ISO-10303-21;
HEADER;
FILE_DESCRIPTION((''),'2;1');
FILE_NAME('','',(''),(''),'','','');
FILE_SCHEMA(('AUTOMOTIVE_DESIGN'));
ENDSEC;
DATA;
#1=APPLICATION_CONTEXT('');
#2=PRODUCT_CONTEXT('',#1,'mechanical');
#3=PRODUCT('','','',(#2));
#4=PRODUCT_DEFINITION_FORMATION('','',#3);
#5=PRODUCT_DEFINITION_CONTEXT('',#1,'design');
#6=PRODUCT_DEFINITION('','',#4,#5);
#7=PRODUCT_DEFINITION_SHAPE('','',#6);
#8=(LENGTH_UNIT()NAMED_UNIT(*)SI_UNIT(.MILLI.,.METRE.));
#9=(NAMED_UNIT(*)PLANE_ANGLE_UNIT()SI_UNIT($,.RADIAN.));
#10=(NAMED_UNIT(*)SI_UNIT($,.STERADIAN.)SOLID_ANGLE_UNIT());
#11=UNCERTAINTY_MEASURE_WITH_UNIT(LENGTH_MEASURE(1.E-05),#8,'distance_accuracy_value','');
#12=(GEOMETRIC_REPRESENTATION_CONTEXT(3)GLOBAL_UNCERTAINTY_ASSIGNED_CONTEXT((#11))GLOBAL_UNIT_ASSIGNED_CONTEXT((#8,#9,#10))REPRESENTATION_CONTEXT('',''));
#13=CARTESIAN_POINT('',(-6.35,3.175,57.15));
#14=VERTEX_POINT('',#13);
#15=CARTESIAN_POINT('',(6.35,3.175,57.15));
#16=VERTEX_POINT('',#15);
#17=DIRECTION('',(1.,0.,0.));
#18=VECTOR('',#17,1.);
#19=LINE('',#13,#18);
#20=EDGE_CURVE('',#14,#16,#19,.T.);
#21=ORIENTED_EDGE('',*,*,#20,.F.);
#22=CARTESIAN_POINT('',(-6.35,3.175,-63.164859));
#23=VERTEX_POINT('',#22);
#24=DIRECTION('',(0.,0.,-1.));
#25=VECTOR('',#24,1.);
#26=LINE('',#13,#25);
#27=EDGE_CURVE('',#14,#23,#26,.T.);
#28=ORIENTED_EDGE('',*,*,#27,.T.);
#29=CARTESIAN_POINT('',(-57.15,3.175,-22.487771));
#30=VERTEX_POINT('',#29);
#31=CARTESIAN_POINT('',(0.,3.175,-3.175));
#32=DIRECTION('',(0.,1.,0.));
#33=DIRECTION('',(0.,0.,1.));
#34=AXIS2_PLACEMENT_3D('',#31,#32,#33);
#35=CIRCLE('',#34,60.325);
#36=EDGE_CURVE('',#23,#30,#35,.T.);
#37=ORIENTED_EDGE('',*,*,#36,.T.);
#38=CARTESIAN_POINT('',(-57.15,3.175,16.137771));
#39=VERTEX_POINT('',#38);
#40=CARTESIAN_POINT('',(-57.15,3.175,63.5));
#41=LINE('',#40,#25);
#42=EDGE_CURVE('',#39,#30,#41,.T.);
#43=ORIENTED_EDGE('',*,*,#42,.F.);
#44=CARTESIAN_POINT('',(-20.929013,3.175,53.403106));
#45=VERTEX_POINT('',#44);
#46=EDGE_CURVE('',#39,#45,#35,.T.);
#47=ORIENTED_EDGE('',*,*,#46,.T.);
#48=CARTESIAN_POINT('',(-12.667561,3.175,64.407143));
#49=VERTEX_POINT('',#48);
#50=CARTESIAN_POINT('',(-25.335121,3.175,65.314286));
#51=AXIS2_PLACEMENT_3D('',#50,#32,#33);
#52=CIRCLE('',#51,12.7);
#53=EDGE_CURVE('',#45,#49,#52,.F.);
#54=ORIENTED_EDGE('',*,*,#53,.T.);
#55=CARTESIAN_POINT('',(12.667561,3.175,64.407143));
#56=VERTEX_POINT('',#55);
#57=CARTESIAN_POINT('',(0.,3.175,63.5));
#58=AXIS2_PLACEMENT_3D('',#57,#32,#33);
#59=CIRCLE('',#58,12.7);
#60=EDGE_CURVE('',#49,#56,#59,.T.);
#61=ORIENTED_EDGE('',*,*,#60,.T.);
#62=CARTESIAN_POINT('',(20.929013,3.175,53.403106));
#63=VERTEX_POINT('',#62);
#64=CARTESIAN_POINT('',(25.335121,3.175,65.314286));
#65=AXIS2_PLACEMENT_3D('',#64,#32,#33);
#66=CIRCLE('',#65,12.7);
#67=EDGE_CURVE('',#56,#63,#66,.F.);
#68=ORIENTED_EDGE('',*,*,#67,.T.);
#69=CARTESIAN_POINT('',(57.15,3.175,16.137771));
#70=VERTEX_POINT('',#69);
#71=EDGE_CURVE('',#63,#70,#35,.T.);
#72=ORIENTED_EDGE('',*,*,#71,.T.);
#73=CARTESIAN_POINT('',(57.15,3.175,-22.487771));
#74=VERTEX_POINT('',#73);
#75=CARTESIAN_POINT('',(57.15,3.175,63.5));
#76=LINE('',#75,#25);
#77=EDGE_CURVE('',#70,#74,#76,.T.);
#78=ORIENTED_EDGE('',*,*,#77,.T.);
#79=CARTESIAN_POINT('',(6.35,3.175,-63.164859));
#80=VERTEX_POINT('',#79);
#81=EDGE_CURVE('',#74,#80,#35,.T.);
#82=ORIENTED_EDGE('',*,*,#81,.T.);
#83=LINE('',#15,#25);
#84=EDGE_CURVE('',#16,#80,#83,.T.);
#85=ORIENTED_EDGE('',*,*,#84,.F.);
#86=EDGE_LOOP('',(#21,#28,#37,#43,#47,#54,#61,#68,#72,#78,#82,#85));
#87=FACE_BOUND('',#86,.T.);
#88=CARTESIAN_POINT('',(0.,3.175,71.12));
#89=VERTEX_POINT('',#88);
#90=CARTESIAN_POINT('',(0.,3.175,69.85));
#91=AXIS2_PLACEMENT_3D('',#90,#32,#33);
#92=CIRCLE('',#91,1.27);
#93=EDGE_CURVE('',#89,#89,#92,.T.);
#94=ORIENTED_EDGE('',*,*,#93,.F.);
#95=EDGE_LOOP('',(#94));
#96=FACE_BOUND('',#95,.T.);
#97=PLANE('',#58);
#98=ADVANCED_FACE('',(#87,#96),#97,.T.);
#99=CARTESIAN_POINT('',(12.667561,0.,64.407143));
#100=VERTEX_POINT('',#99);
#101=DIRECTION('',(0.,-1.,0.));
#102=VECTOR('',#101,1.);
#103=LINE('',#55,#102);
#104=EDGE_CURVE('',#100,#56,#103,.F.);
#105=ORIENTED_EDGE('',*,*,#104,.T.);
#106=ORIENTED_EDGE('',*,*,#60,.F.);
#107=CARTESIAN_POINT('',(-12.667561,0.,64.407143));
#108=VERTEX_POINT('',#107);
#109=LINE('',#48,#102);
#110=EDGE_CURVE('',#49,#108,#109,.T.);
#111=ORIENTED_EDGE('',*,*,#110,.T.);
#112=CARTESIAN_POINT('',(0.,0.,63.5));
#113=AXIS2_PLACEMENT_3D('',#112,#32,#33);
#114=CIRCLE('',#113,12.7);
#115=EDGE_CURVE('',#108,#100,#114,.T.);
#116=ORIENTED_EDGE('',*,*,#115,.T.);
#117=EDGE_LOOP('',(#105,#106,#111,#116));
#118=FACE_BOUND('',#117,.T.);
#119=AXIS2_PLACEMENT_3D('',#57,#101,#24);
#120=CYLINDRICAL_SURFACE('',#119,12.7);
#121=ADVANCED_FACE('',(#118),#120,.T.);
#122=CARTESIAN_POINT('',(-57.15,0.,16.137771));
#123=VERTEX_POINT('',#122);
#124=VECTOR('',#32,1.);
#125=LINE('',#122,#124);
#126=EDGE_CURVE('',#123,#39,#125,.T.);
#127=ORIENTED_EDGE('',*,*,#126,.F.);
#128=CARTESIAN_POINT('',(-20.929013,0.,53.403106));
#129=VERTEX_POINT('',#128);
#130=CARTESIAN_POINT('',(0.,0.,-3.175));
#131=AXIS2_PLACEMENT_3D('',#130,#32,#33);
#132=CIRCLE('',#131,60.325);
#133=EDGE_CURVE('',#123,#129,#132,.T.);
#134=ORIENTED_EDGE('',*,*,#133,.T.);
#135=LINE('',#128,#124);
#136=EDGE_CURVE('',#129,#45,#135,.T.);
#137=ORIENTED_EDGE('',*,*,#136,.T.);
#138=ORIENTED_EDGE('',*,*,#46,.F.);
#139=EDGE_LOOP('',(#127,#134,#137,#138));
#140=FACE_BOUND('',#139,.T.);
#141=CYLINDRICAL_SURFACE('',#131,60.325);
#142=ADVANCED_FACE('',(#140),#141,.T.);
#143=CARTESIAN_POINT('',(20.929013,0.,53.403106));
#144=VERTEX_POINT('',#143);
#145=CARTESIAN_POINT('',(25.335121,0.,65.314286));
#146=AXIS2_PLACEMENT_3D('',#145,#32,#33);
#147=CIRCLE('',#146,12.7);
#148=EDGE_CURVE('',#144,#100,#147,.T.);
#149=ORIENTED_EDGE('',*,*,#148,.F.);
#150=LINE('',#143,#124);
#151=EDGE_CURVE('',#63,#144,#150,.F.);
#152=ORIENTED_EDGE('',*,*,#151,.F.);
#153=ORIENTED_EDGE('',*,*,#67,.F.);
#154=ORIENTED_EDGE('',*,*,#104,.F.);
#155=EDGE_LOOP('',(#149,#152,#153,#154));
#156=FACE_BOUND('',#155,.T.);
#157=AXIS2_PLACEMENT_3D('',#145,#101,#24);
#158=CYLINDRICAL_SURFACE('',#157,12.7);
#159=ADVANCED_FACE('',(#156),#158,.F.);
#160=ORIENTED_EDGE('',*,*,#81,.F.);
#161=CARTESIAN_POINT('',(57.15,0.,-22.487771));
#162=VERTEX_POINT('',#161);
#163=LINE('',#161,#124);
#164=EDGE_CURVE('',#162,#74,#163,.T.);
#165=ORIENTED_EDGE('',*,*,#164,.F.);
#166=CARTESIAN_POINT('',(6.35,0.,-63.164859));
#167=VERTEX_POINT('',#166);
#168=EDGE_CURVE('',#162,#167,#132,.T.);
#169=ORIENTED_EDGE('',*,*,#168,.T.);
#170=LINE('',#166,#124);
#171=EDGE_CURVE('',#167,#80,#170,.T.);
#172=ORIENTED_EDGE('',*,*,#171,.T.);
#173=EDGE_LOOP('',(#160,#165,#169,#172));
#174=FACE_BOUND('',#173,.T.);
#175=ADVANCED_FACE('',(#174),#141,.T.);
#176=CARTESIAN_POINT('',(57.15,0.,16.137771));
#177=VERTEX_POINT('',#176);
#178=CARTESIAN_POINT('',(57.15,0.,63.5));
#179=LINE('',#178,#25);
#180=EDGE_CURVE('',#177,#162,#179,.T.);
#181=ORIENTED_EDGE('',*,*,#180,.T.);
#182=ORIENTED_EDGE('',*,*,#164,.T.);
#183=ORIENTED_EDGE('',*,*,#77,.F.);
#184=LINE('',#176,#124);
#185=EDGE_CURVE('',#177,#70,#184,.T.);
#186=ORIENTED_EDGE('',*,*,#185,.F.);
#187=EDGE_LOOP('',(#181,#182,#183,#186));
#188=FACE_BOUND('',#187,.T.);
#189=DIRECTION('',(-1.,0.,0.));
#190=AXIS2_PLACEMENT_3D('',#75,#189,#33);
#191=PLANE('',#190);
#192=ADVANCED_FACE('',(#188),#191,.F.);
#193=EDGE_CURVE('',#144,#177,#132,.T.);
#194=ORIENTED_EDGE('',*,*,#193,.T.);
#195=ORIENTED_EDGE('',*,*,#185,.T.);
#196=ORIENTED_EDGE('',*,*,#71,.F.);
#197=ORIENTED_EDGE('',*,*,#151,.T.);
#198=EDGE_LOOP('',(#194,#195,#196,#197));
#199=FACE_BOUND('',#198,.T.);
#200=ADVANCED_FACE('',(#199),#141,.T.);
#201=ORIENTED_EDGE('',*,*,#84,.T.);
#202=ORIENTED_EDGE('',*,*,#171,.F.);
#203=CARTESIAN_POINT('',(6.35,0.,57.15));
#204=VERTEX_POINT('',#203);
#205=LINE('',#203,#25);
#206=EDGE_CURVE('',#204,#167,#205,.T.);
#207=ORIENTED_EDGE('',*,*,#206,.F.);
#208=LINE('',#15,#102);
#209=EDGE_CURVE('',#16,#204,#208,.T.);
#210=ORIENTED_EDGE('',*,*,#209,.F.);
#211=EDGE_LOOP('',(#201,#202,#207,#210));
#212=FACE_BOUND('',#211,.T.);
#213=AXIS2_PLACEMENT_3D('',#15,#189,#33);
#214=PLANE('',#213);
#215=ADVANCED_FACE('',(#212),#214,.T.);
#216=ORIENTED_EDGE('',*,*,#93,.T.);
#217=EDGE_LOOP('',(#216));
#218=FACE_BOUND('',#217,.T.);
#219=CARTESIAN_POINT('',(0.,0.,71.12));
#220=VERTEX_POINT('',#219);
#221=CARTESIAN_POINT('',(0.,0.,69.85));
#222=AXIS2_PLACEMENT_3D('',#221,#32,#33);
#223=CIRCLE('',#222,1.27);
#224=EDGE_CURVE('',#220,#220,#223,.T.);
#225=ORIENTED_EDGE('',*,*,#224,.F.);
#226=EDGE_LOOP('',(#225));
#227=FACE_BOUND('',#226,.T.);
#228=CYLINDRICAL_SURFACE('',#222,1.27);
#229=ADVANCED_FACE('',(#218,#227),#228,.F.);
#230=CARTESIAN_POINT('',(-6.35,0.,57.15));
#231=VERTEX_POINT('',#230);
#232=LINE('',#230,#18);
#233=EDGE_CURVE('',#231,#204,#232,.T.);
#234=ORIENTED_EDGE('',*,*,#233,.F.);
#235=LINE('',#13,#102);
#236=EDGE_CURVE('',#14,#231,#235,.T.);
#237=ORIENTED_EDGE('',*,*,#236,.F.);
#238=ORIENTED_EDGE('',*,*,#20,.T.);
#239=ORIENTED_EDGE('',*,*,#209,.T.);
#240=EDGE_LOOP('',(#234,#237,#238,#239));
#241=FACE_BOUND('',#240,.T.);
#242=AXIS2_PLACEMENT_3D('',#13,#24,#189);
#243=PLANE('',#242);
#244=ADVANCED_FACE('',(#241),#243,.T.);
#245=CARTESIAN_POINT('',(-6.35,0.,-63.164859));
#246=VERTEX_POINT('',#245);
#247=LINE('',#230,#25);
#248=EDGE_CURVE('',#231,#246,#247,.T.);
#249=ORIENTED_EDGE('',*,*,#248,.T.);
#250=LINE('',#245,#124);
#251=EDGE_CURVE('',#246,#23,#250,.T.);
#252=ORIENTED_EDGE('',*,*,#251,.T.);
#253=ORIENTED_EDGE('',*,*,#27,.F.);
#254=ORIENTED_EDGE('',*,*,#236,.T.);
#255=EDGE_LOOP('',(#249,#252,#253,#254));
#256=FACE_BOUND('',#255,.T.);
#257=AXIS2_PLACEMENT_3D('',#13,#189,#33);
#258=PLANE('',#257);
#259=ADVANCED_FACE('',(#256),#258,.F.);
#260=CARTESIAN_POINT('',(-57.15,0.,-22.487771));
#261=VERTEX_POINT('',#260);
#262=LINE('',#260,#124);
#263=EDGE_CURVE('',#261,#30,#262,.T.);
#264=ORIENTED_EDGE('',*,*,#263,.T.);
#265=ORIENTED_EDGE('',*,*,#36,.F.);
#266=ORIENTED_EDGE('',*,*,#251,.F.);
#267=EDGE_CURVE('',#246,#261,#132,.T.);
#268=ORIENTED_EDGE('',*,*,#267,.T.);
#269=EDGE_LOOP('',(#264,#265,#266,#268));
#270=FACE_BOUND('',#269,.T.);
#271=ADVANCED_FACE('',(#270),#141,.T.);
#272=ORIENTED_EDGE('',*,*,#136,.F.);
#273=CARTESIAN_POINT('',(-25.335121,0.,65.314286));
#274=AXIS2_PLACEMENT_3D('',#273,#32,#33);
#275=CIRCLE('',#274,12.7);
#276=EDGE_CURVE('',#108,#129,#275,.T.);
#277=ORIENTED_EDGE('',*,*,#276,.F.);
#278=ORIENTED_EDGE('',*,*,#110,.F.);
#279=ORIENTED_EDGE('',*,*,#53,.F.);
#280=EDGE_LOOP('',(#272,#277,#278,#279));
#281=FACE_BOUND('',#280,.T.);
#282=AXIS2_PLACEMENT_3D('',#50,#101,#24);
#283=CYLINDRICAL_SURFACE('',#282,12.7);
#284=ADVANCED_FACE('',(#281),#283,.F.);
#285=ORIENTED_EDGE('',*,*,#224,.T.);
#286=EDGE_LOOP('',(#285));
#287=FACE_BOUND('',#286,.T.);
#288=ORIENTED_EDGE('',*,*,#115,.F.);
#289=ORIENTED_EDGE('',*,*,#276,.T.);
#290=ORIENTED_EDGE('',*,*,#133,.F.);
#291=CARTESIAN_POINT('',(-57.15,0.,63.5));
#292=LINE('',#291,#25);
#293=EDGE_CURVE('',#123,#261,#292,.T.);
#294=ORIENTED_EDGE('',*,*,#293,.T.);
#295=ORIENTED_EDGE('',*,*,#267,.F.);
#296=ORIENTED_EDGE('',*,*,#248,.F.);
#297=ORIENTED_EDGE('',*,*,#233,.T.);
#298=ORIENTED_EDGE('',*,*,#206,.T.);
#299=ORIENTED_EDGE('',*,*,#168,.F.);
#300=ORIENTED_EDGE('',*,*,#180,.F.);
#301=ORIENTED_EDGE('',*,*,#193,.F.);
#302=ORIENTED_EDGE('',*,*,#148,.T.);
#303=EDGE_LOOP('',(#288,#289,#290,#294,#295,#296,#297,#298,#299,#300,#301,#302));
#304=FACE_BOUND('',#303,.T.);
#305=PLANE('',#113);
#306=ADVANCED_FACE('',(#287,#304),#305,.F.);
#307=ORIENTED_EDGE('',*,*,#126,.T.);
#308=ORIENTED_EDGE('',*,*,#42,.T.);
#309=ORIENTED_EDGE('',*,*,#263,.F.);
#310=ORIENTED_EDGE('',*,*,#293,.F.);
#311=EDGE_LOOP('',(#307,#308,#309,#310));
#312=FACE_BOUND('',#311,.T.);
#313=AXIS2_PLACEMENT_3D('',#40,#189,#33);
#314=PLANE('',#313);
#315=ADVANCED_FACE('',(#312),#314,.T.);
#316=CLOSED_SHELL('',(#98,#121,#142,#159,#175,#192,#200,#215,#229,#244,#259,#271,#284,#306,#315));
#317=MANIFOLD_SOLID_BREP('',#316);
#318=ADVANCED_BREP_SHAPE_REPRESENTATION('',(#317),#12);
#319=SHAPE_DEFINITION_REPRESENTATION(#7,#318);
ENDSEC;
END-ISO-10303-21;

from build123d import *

# Parameters (mm, degrees)
BOSS_EXTRUDE1_DEPTH     = 3.175
SKETCH3_R               = 1.27
CUT_EXTRUDE1_DEPTH      = 96.302901976
CUT_EXTRUDE2_DEPTH      = 96.302901976
CUT_EXTRUDE2_DEPTH_BACK = 96.302901976
FILLET1_R               = 12.7


with BuildPart() as part:
    # Sketch2 → Boss-Extrude1 (new body)
    with BuildSketch(Plane(origin=(0, 0, 0), x_dir=(1, 0, 0), z_dir=(0, 1, 0))):
        with BuildLine():
            Line((6.35, 63.5), (57.15, 63.5))
            Line((57.15, 63.5), (57.15, -63.5))
            Line((57.15, -63.5), (12.7, -63.5))
            ThreePointArc((12.7, -63.5), (0, -76.2), (-12.7, -63.5))
            Line((-12.7, -63.5), (-57.15, -63.5))
            Line((-57.15, -63.5), (-57.15, 63.5))
            Line((-57.15, 63.5), (-6.35, 63.5))
            Line((-6.35, 63.5), (-6.35, -57.15))
            Line((-6.35, -57.15), (6.35, -57.15))
            Line((6.35, -57.15), (6.35, 63.5))
        make_face()
    extrude(amount=BOSS_EXTRUDE1_DEPTH)

    # Sketch3 → Cut-Extrude1 (cut, through all)
    with BuildSketch(Plane(origin=(0, 3.175, 0), x_dir=(1, 0, 0), z_dir=(0, 1, 0))):
        with Locations(Location((0, -69.85, 0), (0, 0, 270))):
            Circle(SKETCH3_R)
    extrude(amount=-CUT_EXTRUDE1_DEPTH, mode=Mode.SUBTRACT)

    # Sketch4 → Cut-Extrude2 (cut, two sides: drawn at the far end of the back side and taken through both)
    with BuildSketch(Plane(origin=(0, 3.175, 0), x_dir=(1, 0, 0), z_dir=(0, 1, 0)).offset(-CUT_EXTRUDE2_DEPTH_BACK)):
        with BuildLine():
            Line((-57.15, -63.5), (-12.7, -63.5))
            Line((-12.7, -63.5), (-12.7, -55.798007597))
            ThreePointArc((-12.7, -55.798007597), (-40.162037001, -41.837402835), (-57.15, -16.137771034))
            Line((-57.15, -16.137771034), (-57.15, -63.5))
        make_face()
        with BuildLine():
            Line((-57.15, 63.5), (-57.15, 22.487771034))
            ThreePointArc((-57.15, 22.487771034), (-37.70568739, 50.264136363), (-6.35, 63.164858518))
            Line((-6.35, 63.164858518), (-6.35, 63.5))
            Line((-6.35, 63.5), (-57.15, 63.5))
        make_face()
        with BuildLine():
            Line((57.15, -63.5), (57.15, -16.137771034))
            ThreePointArc((57.15, -16.137771034), (40.162037001, -41.837402835), (12.7, -55.798007597))
            Line((12.7, -55.798007597), (12.7, -63.5))
            Line((12.7, -63.5), (57.15, -63.5))
        make_face()
        with BuildLine():
            Line((57.15, 63.5), (6.35, 63.5))
            Line((6.35, 63.5), (6.35, 63.164858518))
            ThreePointArc((6.35, 63.164858518), (37.70568739, 50.264136363), (57.15, 22.487771034))
            Line((57.15, 22.487771034), (57.15, 63.5))
        make_face()
    extrude(amount=CUT_EXTRUDE2_DEPTH + CUT_EXTRUDE2_DEPTH_BACK, mode=Mode.SUBTRACT)

    # Fillet1
    fillet1_edges = [part.edges().sort_by_distance(p)[0] for p in [
        (12.7, 1.5875, 55.798007597),
        (-12.7, 1.5875, 55.798007597),
    ]]
    fillet(fillet1_edges, radius=FILLET1_R)


solid = part.part
